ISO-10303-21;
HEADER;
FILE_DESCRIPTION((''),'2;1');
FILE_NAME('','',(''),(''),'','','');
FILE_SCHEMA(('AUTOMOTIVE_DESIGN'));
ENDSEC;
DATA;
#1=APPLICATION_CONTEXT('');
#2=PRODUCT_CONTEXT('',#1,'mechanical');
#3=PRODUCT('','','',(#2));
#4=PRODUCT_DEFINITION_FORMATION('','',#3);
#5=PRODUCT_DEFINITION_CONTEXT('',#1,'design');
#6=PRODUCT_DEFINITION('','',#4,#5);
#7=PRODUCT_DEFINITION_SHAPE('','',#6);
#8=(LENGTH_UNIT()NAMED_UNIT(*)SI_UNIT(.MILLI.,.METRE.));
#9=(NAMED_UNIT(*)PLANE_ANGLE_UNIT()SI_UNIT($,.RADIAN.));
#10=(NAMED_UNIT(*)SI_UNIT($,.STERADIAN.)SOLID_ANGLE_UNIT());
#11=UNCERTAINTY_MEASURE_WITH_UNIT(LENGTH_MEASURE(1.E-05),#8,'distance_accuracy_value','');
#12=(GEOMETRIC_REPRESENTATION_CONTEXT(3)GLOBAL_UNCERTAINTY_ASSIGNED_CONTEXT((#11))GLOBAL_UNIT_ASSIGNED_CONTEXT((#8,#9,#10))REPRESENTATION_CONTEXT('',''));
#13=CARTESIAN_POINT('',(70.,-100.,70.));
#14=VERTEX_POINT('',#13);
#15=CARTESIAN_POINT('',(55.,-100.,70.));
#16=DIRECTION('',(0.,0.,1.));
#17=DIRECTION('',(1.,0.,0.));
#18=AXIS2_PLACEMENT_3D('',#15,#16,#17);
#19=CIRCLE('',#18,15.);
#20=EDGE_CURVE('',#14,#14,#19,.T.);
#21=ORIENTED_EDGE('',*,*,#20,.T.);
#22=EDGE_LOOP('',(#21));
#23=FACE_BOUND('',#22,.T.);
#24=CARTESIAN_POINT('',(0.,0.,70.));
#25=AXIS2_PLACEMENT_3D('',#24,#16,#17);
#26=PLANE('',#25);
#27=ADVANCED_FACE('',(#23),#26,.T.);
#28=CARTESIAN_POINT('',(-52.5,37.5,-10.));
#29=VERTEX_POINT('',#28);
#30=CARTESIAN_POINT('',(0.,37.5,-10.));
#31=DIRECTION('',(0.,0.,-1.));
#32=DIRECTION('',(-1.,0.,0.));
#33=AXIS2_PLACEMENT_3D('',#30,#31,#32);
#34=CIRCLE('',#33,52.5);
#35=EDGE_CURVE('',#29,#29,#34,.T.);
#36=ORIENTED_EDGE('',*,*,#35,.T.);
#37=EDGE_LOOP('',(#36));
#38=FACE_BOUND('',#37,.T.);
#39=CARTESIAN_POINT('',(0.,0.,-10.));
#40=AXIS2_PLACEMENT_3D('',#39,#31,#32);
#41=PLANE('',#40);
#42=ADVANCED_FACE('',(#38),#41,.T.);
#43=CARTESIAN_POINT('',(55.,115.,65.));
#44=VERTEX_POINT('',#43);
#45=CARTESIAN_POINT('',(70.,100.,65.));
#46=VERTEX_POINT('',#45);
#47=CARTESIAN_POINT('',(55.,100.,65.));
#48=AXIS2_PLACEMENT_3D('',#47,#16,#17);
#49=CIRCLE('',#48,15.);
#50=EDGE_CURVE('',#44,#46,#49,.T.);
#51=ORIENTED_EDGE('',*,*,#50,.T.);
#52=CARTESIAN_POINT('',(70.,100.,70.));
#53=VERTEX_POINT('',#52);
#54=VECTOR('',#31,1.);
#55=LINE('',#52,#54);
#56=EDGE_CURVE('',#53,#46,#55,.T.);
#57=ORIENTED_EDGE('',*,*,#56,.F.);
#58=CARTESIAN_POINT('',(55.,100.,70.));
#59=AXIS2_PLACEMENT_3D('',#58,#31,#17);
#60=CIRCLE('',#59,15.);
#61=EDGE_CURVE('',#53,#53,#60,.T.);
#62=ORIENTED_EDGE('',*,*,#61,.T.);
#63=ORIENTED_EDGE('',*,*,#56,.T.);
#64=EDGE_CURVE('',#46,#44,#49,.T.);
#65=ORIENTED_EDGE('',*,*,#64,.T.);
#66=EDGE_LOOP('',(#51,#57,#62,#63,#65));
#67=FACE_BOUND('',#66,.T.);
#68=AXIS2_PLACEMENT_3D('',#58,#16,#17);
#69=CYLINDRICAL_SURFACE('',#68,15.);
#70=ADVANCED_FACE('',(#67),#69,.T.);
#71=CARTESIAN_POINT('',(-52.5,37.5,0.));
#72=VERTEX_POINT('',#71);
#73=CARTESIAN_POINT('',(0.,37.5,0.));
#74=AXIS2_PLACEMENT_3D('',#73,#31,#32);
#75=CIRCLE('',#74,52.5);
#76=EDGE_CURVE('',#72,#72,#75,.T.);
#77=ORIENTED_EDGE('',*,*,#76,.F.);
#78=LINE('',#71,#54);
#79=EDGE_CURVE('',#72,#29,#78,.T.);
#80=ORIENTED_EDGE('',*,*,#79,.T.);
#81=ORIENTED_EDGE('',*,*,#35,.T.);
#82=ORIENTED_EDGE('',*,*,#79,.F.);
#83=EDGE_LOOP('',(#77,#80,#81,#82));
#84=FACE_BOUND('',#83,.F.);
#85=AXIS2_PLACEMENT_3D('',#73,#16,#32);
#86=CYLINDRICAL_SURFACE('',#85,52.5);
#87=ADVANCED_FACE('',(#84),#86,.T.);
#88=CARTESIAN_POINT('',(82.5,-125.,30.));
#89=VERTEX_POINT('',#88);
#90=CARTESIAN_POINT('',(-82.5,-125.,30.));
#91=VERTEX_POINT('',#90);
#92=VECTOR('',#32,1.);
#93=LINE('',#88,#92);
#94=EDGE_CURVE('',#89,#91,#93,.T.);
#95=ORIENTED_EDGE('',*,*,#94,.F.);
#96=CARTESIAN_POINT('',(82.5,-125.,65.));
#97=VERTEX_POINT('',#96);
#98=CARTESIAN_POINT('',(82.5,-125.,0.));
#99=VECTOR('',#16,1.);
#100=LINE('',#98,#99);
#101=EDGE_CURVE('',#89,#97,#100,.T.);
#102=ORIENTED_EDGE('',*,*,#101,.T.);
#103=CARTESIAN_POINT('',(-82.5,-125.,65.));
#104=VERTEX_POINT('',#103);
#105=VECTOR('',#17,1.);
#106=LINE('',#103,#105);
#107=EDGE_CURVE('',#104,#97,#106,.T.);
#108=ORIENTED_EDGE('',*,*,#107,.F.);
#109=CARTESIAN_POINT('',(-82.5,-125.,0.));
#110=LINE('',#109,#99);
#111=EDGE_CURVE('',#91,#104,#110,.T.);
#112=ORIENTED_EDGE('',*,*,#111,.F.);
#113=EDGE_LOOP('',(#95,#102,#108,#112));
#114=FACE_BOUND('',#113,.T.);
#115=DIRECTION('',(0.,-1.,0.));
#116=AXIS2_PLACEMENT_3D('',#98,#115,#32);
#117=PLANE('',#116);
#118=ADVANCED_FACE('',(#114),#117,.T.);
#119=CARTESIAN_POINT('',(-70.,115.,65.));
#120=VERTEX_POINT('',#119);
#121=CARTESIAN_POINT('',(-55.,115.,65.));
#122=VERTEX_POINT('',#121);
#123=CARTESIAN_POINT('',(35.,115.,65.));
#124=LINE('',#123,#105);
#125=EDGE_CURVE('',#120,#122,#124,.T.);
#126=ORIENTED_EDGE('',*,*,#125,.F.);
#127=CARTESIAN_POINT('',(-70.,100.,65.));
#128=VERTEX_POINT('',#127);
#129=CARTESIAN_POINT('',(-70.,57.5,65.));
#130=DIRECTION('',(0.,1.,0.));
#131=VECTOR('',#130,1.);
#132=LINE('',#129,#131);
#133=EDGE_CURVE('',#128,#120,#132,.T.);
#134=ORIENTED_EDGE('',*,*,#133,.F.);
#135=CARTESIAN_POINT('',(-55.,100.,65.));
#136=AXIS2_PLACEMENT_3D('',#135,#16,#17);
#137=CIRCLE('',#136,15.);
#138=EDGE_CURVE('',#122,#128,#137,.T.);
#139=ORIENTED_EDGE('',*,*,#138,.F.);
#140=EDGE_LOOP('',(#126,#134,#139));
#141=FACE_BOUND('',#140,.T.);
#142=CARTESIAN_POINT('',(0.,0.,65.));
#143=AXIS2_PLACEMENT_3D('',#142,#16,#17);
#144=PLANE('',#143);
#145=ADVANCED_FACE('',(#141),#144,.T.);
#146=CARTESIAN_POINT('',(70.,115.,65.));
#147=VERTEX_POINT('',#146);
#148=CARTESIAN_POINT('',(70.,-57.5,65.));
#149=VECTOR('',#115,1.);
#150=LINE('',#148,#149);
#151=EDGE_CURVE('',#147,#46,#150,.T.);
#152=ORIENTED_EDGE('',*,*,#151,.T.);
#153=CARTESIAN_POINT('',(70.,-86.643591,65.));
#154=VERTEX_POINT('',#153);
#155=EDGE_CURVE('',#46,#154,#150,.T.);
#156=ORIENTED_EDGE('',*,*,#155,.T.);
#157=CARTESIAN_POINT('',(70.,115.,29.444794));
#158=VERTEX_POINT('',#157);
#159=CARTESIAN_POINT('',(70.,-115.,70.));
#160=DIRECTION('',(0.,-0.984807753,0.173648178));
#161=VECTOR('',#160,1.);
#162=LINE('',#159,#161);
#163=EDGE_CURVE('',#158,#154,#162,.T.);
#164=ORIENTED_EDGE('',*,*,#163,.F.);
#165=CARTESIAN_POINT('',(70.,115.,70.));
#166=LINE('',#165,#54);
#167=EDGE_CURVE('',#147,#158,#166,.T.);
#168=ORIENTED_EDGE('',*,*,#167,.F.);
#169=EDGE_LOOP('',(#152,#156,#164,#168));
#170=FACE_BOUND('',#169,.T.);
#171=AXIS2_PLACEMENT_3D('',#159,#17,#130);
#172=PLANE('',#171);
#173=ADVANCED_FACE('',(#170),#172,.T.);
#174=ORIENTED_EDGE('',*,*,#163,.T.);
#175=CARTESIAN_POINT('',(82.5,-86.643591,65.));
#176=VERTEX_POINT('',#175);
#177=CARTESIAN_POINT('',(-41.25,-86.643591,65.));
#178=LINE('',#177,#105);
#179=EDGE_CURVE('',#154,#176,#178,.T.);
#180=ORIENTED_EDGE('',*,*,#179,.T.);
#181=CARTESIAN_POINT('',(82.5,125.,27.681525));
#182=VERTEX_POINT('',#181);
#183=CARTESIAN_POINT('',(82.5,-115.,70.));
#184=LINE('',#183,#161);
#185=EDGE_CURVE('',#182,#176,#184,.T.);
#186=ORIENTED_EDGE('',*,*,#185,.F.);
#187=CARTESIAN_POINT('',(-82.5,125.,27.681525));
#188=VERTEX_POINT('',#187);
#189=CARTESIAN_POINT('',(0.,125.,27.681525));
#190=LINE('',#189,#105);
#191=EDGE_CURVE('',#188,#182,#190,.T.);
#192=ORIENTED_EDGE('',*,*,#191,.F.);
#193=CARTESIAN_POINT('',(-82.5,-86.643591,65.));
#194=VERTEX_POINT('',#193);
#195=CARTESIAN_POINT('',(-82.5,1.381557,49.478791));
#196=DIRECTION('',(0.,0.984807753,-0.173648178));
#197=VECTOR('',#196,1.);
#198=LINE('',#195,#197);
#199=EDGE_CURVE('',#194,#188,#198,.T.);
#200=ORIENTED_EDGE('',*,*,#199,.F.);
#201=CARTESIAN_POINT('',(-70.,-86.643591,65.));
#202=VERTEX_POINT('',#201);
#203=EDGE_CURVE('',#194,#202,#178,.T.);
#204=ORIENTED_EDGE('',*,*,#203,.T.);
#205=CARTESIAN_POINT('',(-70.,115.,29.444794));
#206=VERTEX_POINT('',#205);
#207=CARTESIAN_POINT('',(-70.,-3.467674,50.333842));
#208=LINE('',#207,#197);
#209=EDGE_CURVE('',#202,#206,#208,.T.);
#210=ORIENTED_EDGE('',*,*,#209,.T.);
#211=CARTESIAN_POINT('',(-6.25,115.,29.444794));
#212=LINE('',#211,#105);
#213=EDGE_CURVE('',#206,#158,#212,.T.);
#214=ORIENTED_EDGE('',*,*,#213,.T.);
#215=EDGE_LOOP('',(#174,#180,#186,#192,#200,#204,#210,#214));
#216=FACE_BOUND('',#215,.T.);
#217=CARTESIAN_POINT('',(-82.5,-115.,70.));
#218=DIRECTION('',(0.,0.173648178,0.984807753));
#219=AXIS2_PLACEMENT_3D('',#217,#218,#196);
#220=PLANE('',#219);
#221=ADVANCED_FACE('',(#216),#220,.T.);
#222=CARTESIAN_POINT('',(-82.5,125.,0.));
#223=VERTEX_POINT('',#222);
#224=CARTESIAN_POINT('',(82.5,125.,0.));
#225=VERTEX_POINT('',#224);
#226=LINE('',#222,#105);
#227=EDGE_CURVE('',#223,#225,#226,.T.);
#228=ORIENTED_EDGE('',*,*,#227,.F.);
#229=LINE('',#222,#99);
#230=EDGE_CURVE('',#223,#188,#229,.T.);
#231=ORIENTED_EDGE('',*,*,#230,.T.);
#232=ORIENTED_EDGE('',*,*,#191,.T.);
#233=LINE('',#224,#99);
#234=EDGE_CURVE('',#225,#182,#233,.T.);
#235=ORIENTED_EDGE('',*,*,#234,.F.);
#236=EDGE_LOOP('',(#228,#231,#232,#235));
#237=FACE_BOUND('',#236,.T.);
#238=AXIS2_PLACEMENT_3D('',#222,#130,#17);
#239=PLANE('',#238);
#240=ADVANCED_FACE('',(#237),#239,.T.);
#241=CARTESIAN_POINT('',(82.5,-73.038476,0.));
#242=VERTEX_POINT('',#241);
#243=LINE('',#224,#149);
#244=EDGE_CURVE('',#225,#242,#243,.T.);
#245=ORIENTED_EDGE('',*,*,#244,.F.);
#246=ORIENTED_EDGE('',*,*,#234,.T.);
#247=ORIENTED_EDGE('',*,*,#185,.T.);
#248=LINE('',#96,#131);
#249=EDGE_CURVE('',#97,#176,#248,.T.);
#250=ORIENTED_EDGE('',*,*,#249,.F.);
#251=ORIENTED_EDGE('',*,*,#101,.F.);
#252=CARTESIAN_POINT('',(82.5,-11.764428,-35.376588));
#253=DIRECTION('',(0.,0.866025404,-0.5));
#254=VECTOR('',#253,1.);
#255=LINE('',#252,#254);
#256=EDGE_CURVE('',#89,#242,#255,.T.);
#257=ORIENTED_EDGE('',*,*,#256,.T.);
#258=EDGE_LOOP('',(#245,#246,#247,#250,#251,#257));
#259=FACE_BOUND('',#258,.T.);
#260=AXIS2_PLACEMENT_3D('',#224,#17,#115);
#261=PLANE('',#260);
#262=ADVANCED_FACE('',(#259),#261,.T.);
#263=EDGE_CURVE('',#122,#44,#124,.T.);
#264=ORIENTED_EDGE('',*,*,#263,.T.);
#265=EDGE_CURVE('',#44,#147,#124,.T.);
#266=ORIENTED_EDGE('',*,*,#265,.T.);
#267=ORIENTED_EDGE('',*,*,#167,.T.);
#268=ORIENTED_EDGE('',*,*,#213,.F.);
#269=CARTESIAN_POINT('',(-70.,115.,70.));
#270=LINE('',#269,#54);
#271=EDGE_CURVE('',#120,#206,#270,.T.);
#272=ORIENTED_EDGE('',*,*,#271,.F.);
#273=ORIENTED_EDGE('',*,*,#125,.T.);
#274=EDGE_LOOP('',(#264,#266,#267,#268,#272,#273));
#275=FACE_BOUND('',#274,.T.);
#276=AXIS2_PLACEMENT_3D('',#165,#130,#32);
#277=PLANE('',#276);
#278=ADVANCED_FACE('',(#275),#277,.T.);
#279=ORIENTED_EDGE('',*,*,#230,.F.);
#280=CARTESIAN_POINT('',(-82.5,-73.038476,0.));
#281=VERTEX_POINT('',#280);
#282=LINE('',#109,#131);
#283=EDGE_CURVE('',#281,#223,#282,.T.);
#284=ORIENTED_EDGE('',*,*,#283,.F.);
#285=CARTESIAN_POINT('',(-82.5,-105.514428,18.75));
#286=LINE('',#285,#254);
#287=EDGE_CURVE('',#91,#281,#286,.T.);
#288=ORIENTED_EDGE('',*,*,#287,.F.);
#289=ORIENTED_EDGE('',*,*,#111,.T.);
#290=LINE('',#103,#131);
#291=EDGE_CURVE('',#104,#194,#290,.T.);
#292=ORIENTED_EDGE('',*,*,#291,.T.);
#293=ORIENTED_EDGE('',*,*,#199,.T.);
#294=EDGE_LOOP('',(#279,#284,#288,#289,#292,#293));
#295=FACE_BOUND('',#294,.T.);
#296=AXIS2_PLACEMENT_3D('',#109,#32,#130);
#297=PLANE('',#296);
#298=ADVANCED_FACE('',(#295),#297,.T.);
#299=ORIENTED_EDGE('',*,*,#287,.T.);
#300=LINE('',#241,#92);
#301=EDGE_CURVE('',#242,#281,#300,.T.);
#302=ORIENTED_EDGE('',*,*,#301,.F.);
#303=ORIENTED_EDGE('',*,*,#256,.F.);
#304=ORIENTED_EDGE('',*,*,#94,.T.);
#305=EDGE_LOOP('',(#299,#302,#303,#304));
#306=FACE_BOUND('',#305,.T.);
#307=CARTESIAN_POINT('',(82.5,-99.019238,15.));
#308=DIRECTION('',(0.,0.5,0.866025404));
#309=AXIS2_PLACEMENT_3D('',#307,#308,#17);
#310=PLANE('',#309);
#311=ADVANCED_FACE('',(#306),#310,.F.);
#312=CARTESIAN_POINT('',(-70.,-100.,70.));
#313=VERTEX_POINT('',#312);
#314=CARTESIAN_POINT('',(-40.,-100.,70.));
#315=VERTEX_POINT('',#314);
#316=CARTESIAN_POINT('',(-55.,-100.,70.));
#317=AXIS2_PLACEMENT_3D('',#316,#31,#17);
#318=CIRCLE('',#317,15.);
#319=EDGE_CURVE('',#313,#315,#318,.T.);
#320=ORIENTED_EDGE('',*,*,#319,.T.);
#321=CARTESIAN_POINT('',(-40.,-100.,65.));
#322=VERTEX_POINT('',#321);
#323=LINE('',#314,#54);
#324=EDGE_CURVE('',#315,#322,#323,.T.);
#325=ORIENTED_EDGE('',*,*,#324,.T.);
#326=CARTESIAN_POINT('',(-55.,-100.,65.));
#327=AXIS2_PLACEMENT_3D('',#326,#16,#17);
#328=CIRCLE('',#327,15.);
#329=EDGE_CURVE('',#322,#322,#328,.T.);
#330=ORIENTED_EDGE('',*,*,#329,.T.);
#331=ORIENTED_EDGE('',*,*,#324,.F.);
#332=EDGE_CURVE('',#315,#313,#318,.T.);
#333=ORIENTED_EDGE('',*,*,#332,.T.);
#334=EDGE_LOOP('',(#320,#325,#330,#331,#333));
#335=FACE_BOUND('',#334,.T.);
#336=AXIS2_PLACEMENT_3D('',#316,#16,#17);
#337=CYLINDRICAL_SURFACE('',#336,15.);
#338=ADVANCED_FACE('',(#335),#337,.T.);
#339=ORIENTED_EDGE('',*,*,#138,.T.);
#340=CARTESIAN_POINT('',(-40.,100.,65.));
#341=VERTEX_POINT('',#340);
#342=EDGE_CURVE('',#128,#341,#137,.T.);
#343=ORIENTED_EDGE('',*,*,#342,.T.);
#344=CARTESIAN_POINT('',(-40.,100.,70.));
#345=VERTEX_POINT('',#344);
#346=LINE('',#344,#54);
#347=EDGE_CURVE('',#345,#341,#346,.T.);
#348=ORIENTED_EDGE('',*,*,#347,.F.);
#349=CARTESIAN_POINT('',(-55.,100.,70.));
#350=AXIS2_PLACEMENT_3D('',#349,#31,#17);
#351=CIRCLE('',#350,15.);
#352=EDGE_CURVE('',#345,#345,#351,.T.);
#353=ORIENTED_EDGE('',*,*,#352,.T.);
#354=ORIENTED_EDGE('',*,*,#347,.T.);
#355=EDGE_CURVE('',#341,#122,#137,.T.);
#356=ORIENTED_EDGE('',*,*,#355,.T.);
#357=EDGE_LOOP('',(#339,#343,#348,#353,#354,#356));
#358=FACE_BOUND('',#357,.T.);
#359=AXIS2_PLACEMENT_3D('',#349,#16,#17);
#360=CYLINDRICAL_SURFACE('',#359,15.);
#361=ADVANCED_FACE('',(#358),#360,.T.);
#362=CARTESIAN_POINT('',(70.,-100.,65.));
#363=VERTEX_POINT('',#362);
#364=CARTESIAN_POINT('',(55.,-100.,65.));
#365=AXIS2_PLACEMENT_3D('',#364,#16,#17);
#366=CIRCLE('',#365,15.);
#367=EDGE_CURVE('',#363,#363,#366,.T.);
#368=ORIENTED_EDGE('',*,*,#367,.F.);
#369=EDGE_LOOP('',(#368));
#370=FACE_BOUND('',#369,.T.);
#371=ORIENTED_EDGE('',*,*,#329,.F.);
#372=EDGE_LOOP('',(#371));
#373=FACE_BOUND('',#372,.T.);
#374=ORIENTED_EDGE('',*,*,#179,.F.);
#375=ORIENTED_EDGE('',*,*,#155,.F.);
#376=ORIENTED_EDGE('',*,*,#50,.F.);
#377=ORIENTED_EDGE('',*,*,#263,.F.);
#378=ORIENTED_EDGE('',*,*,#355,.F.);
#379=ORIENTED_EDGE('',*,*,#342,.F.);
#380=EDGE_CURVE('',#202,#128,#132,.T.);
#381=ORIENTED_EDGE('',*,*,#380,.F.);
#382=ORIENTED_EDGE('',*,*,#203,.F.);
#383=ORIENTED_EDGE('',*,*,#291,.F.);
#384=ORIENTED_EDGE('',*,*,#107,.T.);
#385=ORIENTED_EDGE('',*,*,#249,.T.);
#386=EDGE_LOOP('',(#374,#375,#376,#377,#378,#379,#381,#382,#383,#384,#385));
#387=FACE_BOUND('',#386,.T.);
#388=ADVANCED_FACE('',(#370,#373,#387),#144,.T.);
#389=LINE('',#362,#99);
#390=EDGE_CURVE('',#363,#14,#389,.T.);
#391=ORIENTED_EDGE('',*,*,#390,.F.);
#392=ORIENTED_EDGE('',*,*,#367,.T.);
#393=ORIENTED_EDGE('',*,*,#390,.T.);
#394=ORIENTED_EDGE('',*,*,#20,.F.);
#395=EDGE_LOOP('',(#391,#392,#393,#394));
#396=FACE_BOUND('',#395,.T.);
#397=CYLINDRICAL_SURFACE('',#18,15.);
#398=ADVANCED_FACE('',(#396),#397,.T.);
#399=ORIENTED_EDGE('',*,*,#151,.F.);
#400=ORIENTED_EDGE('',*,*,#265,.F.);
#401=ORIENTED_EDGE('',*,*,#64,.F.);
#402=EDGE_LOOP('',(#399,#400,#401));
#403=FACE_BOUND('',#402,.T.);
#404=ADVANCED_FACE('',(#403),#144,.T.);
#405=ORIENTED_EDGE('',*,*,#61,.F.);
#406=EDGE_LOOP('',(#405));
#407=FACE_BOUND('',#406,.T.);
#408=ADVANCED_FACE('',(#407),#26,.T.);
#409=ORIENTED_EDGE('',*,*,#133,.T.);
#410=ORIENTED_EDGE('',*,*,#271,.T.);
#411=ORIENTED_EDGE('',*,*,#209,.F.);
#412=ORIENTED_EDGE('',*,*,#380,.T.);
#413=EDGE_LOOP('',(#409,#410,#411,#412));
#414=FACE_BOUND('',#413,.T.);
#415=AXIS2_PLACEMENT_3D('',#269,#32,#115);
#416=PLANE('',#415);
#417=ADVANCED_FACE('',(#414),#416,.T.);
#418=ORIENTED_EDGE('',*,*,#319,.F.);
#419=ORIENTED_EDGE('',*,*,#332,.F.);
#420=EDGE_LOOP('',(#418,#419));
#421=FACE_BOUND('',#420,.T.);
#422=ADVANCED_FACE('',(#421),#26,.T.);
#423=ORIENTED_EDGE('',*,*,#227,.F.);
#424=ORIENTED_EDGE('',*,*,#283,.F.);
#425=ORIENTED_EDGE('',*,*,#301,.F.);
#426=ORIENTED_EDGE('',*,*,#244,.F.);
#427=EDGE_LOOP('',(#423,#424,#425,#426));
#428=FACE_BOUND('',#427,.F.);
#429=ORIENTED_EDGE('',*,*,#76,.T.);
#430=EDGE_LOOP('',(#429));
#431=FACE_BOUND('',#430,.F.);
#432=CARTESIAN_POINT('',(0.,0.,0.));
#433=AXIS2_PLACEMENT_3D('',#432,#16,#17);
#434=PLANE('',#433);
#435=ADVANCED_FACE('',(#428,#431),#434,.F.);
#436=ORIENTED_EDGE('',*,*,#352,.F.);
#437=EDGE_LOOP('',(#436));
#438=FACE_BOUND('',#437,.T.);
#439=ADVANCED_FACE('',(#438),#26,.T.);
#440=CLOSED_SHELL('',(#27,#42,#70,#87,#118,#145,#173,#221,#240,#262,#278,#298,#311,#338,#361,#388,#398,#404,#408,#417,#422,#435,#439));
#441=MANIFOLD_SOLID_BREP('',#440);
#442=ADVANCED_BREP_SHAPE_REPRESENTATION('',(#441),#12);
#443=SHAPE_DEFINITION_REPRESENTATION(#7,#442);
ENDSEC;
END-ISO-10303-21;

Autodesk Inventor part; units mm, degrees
ref_plane "YZ Plane" through (0, 0, 0) normal (1, 0, 0) x (0, 1, 0)
ref_plane "XZ Plane" through (0, 0, 0) normal (0, 1, 0) x (-1, 0, 0)
ref_plane "XY Plane" through (0, 0, 0) normal (0, 0, 1) x (1, 0, 0)
sketch "Skizze1" plane through (0, 0, 0) normal (0, 0, 1) x (1, 0, 0)
  line L0 (-82.5, 125) -> (82.5, 125)
  line L1 (82.5, 125) -> (82.5, -125)
  line L2 (82.5, -125) -> (-82.5, -125)
  line L3 (-82.5, -125) -> (-82.5, 125)
  line L4 (-82.5, 125) -> (82.5, -125) construction
  line L5 (82.5, 125) -> (-82.5, -125) construction
  point P0 (0, 0)
  dimension "d0" = 165
  dimension "d1" = 250
extrude "Extrusion1" add sketch "Skizze1" along normal blind 70
sketch "Skizze2" plane through (0, 0, 0) normal (0, 0, -1) x (-1, 0, 0)
  line L0 (82.5, 125) -> (-82.5, 125) projected
  circle A0 centre (0, 37.5) radius 52.5
  point P0 (0, 0)
  dimension "d4" = 105
  dimension "d5" = 35
extrude "Extrusion2" add sketch "Skizze2" along normal blind 10
chamfer "Fase1" distance 30 angle 60 1 edges at (0, -125, 0) measured on face at (27.5, -125, 23.3333)
sketch "Skizze3" plane through (0, 0, 70) normal (0, 0, 1) x (1, 0, 0)
  line L0 (82.5, 125) -> (-82.5, 125) projected
  line L1 (-82.5, 125) -> (-82.5, -125) projected
  line L2 (-82.5, -125) -> (82.5, -125) projected
  line L3 (82.5, -125) -> (82.5, 125) projected
  line L4 (-82.5, -115) -> (82.5, -115)
  point P0 (0, 0)
  dimension "d11" = 10
ref_plane "Arbeitsebene1" through (-82.5, -115, 70) normal (0, 0.1736, 0.9848) x (1, 0, 0)
sketch "Skizze4" plane through (0, 0, 70) normal (0, 0, 1) x (1, 0, 0)
  line L0 (82.5, 125) -> (-82.5, 125) projected
  line L1 (-82.5, 125) -> (-82.5, -125) projected
  line L2 (82.5, -125) -> (82.5, 125) projected
  line L3 (-70, -115) -> (70, -115) construction
  line L4 (70, -115) -> (70, 115)
  line L5 (70, 115) -> (-70, 115)
  line L6 (-70, 115) -> (-70, -115)
  line L7 (-70, -115) -> (70, 115) construction
  line L8 (70, -115) -> (-70, 115) construction
  line L9 (-82.5, -115) -> (82.5, -115) projected
  point P0 (0, 0)
  point P1 (0, 0)
  point P2 (0, 0)
  dimension "d13" = 230
  dimension "d14" = 140
extrude "Extrusion3" cut sketch "Skizze4" against normal up to surface contours L2 L9 L4 L5 L6 L1 L0 surface through (-82.5, -115, 70) normal (0, 0.1736, 0.9848)
sketch "Skizze5" plane through (0, 0, 70) normal (0, 0, 1) x (1, 0, 0)
  line L0 (82.5, -115) -> (70, -115) projected
  line L1 (70, -115) -> (70, 115) projected
  line L2 (70, 115) -> (-70, 115) projected
  line L3 (-70, 115) -> (-70, -115) projected
  line L4 (-70, -115) -> (-82.5, -115) projected
  line L5 (-82.5, -115) -> (-82.5, -125) projected
  line L6 (-82.5, -125) -> (82.5, -125) projected
  line L7 (82.5, -125) -> (82.5, -115) projected
  line L8 (55, 100) -> (-55, 100) construction
  line L9 (-55, 100) -> (-55, -100) construction
  line L10 (-55, -100) -> (55, -100) construction
  line L11 (55, -100) -> (55, 100) construction
  line L12 (55, 100) -> (-55, -100) construction
  line L13 (-55, 100) -> (55, -100) construction
  circle A0 centre (-55, -100) radius 15
  circle A1 centre (-55, 100) radius 15
  circle A2 centre (55, 100) radius 15
  circle A3 centre (55, -100) radius 15
  line L14 (-82.5, -115) -> (-82.5, 125) projected
  line L15 (-70, -115) -> (-82.5, -115) projected
  line L16 (-70, 115) -> (-70, -115) projected
  line L17 (70, 115) -> (-70, 115) projected
  line L18 (70, -115) -> (70, 115) projected
  line L19 (82.5, -115) -> (70, -115) projected
  line L20 (82.5, 125) -> (82.5, -115) projected
  line L21 (-82.5, 125) -> (82.5, 125) projected
  point P0 (0, 0)
  dimension "d17" = 110
  dimension "d18" = 200
  dimension "d19" = 30
extrude "Extrusion4" cut sketch "Skizze5" against normal blind 5 contours L7 L6 L5 L4 L3 A1 L2 A2 L1 L0 | L0 L1 L2 L3 L4 L14 L21 L20 | A2 L2 L1 | A1 L3 L2
properties part number "Scale" material "Blei"
